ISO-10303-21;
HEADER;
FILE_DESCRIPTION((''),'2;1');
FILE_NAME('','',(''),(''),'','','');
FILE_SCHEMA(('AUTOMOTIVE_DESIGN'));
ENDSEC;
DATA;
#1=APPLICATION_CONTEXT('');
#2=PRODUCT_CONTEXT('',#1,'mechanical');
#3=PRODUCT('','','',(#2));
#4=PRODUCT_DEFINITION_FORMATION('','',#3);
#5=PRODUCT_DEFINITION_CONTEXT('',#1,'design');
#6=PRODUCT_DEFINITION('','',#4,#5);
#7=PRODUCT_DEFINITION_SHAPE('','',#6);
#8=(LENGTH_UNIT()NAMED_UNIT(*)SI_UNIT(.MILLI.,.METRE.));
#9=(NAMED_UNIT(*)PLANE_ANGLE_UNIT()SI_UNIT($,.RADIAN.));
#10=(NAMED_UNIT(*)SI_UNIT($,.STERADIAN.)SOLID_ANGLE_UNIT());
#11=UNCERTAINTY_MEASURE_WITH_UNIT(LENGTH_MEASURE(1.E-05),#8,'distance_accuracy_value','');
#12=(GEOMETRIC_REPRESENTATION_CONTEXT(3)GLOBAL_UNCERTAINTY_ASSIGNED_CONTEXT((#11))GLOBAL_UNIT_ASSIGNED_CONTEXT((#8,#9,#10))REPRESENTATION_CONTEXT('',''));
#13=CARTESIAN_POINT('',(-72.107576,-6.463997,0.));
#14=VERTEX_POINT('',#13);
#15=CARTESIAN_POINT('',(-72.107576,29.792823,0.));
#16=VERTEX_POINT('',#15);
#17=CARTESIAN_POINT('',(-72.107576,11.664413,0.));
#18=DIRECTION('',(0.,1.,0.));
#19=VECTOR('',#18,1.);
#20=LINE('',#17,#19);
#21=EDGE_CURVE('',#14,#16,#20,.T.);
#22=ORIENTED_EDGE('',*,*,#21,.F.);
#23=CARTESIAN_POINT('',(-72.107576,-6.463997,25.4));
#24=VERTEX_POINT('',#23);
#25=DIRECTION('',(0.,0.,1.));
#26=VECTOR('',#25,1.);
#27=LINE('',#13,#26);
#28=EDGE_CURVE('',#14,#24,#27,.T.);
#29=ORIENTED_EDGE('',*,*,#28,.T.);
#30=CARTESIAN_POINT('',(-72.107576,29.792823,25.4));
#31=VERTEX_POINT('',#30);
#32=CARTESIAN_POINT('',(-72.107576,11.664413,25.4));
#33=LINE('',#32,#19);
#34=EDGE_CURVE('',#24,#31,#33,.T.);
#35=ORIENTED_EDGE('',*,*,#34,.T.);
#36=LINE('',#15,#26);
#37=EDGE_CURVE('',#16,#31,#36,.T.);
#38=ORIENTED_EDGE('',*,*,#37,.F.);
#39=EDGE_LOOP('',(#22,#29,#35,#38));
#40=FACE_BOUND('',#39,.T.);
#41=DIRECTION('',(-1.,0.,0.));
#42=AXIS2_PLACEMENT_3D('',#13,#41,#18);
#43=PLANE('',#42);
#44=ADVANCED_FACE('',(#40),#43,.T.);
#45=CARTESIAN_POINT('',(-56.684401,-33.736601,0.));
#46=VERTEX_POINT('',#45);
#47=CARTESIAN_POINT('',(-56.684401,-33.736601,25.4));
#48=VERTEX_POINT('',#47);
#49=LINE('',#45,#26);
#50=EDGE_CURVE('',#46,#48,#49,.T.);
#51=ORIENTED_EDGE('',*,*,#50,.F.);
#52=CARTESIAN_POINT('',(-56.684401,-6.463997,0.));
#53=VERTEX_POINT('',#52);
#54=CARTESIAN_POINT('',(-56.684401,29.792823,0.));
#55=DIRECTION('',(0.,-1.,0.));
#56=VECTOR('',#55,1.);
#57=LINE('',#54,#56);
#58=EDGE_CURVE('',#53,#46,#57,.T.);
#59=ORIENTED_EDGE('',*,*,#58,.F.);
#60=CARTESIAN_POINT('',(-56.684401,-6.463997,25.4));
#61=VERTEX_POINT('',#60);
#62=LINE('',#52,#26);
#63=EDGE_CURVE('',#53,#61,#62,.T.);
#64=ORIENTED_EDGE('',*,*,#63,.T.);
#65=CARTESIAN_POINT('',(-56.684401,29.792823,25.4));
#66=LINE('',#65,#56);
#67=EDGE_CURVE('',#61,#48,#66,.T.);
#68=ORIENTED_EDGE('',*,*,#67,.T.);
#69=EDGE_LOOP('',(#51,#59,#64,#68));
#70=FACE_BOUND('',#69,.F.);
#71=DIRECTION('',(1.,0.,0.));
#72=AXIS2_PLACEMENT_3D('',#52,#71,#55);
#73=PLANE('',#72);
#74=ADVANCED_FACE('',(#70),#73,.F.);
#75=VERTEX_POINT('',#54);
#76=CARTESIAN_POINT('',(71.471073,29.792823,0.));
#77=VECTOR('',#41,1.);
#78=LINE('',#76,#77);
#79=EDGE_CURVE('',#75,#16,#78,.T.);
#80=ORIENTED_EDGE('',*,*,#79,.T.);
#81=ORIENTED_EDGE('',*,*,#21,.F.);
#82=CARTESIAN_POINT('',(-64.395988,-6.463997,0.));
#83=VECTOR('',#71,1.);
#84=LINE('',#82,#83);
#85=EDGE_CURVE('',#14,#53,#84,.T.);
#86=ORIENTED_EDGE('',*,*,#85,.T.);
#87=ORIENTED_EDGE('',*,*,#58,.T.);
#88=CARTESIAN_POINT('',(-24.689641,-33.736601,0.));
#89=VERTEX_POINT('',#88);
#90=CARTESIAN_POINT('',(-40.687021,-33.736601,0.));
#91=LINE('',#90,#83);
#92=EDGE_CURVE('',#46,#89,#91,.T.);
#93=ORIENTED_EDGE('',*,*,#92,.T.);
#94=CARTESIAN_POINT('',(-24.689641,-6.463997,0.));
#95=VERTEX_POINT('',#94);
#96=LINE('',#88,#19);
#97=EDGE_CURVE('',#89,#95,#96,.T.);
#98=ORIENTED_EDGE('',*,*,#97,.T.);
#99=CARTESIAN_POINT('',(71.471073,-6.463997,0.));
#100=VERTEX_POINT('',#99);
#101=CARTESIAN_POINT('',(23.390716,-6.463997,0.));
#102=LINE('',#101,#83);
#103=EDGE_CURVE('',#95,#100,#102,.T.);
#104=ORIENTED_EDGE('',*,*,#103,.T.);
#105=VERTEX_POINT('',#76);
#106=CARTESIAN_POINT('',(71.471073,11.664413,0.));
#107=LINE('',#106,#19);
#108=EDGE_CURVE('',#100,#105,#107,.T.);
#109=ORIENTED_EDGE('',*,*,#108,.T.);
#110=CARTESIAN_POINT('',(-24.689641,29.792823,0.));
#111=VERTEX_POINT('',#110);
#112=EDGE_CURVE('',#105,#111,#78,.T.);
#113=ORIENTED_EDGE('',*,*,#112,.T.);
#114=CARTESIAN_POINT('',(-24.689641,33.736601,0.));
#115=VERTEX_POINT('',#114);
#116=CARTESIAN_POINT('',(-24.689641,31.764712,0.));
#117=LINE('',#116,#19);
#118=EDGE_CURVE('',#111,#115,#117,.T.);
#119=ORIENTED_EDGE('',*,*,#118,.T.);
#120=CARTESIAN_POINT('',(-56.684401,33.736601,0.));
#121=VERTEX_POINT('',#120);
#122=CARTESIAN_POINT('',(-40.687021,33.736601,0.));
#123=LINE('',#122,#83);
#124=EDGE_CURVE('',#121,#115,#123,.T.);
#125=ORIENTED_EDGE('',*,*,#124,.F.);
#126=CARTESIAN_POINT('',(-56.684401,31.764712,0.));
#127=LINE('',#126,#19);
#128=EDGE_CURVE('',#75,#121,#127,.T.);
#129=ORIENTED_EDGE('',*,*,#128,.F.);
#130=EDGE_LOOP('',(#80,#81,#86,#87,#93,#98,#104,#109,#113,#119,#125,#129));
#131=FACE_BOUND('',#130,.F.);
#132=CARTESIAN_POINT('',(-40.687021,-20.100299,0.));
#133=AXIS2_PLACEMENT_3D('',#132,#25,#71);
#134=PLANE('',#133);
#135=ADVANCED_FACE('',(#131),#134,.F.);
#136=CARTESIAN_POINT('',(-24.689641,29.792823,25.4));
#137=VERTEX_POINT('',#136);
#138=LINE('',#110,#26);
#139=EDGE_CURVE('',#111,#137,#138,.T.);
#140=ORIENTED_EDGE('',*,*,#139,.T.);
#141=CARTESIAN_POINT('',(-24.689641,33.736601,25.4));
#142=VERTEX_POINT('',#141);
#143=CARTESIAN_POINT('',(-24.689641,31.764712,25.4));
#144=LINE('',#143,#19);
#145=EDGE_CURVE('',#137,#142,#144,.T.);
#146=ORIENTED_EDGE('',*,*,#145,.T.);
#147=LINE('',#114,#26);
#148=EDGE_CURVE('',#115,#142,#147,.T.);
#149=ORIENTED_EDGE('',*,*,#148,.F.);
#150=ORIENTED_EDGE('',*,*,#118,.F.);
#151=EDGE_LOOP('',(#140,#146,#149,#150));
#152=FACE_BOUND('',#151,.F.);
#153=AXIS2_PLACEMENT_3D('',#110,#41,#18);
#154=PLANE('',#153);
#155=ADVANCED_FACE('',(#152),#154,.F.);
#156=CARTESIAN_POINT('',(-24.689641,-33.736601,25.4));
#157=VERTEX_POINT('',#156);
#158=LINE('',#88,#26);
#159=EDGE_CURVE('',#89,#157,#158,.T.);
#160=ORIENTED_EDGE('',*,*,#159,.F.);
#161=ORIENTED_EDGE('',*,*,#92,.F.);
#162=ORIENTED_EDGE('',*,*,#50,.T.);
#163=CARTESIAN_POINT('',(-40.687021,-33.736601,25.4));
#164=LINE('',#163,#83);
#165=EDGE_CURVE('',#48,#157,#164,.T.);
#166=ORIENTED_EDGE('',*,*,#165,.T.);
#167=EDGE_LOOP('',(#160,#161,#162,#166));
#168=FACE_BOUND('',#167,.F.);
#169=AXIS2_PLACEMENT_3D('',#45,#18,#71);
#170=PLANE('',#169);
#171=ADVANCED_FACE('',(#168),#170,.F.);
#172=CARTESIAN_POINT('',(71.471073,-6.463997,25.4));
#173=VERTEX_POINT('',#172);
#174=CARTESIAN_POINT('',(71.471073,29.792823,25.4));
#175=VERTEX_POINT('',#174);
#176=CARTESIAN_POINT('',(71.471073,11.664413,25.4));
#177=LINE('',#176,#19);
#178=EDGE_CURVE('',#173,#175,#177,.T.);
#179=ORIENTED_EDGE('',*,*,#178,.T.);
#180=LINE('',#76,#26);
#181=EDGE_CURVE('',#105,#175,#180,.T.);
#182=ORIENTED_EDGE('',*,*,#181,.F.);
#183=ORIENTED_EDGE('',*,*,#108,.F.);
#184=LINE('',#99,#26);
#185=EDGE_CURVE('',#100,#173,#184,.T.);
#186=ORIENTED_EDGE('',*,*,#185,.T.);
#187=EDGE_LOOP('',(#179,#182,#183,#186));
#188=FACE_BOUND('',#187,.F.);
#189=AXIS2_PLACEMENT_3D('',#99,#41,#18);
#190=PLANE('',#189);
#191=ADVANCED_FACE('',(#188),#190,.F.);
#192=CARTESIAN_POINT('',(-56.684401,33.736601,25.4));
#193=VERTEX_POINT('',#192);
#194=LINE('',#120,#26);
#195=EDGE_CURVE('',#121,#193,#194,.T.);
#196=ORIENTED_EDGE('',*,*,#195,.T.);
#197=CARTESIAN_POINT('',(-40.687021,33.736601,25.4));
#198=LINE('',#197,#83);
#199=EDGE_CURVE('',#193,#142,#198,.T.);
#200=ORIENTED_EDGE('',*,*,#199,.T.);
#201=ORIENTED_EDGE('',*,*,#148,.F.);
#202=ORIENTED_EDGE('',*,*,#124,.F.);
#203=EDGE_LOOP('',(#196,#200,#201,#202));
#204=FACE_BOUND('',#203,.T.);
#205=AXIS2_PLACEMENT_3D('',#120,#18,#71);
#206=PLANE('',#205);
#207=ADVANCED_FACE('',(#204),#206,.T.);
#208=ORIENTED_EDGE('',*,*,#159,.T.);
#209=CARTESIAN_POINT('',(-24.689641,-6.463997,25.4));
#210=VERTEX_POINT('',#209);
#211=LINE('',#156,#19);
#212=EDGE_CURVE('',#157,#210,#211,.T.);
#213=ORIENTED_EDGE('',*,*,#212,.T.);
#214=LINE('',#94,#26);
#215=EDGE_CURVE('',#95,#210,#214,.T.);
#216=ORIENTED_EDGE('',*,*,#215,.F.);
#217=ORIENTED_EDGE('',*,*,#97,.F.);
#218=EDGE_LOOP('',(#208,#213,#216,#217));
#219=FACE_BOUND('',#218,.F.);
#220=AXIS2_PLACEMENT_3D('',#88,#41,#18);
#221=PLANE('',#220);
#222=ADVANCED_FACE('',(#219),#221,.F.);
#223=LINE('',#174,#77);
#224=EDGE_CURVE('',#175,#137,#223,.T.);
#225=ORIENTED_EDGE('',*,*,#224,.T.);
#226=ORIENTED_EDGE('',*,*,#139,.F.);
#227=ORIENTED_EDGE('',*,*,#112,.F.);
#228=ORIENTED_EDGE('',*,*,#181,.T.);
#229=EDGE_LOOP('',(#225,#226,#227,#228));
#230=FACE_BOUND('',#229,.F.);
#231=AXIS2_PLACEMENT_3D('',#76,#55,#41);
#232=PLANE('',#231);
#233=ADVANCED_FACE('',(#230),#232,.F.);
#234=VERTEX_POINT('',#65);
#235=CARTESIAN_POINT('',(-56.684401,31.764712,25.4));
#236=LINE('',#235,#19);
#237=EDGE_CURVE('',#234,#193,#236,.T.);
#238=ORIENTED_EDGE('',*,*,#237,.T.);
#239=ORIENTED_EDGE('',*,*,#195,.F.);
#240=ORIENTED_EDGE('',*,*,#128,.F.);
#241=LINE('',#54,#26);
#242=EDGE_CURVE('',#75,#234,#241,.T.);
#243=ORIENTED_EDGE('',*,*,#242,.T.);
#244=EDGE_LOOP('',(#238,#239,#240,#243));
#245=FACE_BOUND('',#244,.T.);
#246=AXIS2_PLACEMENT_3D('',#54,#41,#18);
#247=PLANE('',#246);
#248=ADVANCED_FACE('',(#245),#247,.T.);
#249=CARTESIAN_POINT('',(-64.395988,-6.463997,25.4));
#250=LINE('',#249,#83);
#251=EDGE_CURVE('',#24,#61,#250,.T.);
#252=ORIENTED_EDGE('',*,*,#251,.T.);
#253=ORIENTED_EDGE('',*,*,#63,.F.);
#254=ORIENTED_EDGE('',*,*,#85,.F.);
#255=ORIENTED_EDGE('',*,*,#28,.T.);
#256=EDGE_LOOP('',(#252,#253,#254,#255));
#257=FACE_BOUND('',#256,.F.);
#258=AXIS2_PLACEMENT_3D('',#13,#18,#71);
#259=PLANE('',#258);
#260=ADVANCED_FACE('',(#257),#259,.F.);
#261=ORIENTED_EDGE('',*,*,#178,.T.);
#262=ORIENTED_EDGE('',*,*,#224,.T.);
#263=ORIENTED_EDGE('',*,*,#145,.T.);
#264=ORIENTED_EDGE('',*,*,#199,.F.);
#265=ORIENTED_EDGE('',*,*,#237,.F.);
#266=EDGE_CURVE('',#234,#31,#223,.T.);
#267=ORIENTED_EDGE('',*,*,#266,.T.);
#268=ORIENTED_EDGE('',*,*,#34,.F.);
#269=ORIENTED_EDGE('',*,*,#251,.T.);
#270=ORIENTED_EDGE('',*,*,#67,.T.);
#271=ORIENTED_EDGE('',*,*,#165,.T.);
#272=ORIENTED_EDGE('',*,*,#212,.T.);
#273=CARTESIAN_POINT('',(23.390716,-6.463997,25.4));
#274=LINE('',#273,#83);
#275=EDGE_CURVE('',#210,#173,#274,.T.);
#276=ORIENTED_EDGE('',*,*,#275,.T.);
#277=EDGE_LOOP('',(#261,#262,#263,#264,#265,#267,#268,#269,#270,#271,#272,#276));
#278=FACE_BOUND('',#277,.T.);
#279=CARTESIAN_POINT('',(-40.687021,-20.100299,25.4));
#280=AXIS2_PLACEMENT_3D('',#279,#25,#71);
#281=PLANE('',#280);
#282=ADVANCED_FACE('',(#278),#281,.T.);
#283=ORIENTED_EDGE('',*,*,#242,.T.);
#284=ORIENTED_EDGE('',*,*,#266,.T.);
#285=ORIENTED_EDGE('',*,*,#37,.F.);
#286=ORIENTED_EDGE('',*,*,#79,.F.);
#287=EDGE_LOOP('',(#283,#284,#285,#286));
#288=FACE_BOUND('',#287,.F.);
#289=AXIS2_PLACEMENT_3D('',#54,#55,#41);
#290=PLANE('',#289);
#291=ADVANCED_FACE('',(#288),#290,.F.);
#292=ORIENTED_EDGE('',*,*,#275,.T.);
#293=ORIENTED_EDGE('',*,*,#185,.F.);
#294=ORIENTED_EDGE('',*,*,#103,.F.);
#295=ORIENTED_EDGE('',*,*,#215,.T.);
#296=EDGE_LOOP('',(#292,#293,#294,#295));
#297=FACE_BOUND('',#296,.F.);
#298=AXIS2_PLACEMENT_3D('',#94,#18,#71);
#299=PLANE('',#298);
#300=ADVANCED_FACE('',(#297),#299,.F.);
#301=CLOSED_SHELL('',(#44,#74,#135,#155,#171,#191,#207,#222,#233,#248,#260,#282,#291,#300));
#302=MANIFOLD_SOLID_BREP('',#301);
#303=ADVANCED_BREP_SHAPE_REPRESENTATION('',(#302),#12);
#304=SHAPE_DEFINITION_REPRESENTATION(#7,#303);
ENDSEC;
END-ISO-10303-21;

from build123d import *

# Parameters (mm, degrees)
F0_W     = 31.9947600365
F0_H     = 27.2726044059
F0_H_2   = 36.2568199635
F0_W_2   = 96.1607135832
F0_W_3   = 15.4231749475
F0_H_3   = 3.9437785745
F1_DEPTH = 25.4


with BuildPart() as f1:
    # F0 (on Top) → F1 (new body)
    with BuildSketch(Plane.XY):
        with Locations((-40.6870208681, -20.100299269)):
            Rectangle(F0_W, F0_H)
        with Locations((-40.6870208681, 11.6644129157)):
            Rectangle(F0_W, F0_H_2)
        with Locations((23.3907159418, 11.6644129157)):
            Rectangle(F0_W_2, F0_H_2)
        with Locations((-64.39598836, 11.6644129157)):
            Rectangle(F0_W_3, F0_H_2)
        with Locations((-40.6870208681, 31.7647121847)):
            Rectangle(F0_W, F0_H_3)
    extrude(amount=F1_DEPTH)


solid = f1.part
